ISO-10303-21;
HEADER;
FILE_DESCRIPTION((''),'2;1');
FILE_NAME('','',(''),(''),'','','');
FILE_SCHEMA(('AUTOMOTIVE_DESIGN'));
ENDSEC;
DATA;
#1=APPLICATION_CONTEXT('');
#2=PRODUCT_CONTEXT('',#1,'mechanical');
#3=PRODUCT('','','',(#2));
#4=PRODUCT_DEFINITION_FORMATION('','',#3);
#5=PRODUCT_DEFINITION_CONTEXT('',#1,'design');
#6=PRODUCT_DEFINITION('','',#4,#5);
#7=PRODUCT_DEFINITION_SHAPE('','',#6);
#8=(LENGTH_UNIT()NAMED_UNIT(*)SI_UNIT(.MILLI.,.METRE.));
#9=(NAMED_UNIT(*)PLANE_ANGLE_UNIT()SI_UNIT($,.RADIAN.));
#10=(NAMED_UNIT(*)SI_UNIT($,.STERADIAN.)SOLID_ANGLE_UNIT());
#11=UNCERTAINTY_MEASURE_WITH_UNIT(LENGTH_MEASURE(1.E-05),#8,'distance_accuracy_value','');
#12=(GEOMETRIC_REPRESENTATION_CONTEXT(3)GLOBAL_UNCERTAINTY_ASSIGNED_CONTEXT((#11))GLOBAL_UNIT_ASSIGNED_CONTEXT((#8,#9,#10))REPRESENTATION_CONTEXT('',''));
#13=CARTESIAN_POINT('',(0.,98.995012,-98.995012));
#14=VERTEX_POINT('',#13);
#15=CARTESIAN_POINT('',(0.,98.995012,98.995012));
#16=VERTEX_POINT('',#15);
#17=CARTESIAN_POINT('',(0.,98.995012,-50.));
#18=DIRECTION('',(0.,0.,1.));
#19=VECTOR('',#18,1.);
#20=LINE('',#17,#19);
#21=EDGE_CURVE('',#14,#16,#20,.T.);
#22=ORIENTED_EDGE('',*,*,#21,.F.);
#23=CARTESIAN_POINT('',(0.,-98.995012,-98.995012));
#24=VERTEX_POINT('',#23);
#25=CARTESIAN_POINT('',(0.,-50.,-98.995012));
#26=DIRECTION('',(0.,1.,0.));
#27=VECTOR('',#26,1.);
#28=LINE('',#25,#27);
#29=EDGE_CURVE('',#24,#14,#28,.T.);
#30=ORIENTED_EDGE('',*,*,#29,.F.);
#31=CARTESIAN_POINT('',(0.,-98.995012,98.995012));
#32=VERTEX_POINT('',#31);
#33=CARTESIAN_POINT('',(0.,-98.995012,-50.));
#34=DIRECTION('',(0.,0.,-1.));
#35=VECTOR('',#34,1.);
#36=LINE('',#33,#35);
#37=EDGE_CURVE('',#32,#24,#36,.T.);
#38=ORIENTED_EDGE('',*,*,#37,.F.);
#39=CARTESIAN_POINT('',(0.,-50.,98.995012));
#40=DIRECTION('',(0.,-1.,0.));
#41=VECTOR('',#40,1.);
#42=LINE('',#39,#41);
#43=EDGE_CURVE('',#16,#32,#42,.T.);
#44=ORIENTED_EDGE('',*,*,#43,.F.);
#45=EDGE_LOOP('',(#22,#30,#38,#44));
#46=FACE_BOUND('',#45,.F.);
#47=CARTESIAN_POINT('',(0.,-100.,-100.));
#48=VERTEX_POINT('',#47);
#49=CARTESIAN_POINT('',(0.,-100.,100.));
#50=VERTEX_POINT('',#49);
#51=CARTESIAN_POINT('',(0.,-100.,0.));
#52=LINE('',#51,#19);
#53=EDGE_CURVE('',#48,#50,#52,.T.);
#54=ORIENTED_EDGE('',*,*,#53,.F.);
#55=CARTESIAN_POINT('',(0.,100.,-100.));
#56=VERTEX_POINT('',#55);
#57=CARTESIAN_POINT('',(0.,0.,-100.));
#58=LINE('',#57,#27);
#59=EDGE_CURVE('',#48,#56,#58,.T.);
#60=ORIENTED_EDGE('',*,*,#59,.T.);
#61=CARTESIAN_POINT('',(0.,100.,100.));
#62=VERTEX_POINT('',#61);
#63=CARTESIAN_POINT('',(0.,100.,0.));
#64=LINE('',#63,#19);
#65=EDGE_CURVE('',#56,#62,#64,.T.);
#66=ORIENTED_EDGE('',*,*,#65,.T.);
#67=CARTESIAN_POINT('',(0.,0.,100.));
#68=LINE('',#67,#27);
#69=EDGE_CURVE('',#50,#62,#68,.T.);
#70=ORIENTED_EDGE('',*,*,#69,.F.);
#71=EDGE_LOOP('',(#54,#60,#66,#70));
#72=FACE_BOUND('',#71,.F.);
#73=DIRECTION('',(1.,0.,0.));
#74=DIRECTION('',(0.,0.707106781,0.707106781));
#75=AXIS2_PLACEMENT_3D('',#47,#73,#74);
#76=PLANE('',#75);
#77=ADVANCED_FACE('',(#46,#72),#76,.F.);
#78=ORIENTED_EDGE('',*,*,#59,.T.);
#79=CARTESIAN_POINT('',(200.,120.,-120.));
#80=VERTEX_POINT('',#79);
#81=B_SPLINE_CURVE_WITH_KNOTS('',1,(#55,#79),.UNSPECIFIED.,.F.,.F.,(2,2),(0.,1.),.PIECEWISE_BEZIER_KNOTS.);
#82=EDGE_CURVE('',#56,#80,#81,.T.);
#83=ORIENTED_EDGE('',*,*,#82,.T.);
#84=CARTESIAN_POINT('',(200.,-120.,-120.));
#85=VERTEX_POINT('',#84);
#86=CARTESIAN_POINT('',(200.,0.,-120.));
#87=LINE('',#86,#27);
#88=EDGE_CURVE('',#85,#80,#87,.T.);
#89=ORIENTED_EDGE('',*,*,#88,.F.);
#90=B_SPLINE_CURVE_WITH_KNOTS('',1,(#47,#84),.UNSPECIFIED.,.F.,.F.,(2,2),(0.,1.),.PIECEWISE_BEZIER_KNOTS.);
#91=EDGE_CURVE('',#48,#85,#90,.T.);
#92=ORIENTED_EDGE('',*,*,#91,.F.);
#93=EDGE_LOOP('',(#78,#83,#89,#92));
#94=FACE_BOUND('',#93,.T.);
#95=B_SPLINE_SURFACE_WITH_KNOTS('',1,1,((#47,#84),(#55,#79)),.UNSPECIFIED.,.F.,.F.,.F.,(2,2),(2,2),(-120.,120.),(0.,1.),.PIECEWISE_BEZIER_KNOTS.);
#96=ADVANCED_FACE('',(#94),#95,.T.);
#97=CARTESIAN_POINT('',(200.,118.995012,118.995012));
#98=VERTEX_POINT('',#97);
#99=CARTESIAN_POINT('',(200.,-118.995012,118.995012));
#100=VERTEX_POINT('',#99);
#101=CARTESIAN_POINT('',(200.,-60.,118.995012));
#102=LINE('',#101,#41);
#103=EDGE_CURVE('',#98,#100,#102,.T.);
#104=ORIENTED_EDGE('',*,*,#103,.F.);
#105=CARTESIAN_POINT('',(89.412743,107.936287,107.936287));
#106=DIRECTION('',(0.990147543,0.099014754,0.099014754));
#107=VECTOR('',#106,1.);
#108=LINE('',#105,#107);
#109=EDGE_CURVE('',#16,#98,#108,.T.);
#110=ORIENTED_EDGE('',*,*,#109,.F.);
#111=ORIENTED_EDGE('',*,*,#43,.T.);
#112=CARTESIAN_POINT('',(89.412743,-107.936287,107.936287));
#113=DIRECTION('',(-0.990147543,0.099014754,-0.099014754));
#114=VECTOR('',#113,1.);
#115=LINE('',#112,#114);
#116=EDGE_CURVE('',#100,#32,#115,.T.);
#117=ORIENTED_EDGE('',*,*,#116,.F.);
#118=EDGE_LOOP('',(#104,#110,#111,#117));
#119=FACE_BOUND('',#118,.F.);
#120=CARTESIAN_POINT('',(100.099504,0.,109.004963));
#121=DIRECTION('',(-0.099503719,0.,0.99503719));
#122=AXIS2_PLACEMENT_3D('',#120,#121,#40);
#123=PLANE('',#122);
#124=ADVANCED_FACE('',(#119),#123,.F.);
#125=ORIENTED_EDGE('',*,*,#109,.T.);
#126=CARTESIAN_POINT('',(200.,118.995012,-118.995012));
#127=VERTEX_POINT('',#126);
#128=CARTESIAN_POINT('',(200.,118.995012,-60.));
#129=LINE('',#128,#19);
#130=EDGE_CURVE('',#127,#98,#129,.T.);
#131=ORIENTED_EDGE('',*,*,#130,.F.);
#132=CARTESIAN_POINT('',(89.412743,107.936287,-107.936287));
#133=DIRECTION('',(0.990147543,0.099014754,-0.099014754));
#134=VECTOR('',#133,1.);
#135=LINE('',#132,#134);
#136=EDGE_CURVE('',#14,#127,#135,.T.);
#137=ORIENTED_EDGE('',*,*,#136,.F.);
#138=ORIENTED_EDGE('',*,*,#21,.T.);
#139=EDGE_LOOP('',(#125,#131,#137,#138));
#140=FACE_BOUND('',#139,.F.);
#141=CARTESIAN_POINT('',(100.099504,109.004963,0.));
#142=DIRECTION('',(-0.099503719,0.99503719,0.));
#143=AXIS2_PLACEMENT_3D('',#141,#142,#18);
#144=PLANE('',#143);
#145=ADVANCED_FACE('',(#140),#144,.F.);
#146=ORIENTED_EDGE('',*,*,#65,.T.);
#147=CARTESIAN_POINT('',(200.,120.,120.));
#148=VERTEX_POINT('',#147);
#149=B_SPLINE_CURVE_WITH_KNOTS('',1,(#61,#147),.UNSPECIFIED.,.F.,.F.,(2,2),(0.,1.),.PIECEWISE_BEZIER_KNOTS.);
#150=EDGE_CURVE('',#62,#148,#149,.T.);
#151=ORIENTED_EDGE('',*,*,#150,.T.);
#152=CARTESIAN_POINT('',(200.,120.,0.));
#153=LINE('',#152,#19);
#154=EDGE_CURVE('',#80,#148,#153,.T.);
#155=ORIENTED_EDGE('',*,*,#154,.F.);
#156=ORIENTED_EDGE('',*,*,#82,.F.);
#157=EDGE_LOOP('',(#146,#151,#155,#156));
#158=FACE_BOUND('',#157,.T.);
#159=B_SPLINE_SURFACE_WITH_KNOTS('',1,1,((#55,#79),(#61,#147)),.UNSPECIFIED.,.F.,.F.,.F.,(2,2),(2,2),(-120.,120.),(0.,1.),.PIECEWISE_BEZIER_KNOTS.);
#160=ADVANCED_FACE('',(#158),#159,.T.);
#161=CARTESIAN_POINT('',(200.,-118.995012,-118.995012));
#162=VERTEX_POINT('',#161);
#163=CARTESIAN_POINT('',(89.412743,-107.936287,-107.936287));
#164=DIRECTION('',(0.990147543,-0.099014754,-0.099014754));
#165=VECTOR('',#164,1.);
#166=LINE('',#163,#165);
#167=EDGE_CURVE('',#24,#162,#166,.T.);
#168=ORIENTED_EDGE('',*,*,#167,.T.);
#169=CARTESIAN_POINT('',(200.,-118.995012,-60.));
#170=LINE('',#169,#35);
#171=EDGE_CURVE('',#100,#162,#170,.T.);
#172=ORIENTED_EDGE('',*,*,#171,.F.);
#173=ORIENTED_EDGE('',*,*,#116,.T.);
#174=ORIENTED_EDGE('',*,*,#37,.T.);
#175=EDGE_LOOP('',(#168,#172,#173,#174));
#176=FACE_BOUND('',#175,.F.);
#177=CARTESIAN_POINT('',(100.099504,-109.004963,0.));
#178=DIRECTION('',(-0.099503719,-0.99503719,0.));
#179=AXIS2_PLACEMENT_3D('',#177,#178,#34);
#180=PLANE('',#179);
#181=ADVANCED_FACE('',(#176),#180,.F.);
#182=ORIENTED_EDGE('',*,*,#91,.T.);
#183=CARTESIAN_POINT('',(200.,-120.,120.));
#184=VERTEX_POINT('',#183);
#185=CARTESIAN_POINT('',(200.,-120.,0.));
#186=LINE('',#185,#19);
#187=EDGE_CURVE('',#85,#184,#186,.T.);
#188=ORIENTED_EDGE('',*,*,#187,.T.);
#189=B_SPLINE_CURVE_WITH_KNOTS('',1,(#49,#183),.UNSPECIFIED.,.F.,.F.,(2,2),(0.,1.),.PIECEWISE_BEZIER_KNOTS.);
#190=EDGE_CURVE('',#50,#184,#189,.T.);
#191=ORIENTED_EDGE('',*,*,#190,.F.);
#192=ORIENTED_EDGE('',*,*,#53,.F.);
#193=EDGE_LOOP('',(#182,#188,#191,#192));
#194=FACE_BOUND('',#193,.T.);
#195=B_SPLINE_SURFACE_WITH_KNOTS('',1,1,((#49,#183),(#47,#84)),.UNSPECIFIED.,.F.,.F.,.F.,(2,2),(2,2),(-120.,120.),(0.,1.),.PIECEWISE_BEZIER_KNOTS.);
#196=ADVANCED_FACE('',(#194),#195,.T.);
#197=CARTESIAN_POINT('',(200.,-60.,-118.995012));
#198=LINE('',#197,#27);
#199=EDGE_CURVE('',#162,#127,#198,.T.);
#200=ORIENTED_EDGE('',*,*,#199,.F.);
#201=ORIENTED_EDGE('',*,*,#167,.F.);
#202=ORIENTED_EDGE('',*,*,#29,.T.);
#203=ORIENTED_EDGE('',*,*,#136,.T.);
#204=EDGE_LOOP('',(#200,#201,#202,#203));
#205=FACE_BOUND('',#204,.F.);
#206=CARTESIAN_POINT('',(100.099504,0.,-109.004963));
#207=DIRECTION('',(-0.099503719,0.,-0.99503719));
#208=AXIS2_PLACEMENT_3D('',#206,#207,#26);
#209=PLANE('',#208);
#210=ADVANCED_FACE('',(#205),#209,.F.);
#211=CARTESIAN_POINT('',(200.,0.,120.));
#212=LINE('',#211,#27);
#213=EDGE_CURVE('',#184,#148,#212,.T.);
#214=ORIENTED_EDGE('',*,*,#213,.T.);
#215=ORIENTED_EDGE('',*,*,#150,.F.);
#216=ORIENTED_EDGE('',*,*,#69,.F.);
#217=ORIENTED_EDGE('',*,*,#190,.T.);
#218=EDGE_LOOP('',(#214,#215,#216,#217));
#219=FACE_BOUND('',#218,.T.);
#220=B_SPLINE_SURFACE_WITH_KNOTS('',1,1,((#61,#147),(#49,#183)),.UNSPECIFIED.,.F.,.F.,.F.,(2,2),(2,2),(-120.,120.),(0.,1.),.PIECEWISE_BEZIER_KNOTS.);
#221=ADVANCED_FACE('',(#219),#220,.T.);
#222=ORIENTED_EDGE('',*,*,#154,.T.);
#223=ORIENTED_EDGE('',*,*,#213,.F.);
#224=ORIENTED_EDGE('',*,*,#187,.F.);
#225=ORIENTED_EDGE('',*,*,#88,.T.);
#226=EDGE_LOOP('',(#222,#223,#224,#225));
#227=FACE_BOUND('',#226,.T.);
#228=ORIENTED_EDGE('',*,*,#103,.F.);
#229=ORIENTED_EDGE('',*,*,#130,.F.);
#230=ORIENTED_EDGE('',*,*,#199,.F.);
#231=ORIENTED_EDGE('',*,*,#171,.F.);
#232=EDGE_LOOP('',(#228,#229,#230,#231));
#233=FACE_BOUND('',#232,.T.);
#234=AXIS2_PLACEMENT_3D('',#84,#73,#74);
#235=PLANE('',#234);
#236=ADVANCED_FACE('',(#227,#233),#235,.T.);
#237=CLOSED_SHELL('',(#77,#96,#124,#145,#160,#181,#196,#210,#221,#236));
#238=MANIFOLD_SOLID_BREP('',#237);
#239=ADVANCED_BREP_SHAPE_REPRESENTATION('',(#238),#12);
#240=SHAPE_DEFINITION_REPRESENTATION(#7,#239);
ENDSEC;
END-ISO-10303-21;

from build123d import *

# Parameters (mm, degrees)
F0_W = 200
F0_H = 200
F2_W = 240
F2_H = 240
F4_T = -1


with BuildPart() as f3:
    # F0 (on Right) → F3 section 0
    with BuildSketch(Plane.YZ):
        Rectangle(F0_W, F0_H)
    # F2 (on offset) → F3 section 1
    with BuildSketch(Plane.YZ.offset(200)):
        Rectangle(F2_W, F2_H)
    loft()

    # F4
    f4_openings = [f3.faces().sort_by_distance(p)[0] for p in [
        (200, 0, 0),
        (0, 0, 0),
    ]]
    offset(amount=F4_T, openings=f4_openings, kind=Kind.INTERSECTION)


solid = f3.part
